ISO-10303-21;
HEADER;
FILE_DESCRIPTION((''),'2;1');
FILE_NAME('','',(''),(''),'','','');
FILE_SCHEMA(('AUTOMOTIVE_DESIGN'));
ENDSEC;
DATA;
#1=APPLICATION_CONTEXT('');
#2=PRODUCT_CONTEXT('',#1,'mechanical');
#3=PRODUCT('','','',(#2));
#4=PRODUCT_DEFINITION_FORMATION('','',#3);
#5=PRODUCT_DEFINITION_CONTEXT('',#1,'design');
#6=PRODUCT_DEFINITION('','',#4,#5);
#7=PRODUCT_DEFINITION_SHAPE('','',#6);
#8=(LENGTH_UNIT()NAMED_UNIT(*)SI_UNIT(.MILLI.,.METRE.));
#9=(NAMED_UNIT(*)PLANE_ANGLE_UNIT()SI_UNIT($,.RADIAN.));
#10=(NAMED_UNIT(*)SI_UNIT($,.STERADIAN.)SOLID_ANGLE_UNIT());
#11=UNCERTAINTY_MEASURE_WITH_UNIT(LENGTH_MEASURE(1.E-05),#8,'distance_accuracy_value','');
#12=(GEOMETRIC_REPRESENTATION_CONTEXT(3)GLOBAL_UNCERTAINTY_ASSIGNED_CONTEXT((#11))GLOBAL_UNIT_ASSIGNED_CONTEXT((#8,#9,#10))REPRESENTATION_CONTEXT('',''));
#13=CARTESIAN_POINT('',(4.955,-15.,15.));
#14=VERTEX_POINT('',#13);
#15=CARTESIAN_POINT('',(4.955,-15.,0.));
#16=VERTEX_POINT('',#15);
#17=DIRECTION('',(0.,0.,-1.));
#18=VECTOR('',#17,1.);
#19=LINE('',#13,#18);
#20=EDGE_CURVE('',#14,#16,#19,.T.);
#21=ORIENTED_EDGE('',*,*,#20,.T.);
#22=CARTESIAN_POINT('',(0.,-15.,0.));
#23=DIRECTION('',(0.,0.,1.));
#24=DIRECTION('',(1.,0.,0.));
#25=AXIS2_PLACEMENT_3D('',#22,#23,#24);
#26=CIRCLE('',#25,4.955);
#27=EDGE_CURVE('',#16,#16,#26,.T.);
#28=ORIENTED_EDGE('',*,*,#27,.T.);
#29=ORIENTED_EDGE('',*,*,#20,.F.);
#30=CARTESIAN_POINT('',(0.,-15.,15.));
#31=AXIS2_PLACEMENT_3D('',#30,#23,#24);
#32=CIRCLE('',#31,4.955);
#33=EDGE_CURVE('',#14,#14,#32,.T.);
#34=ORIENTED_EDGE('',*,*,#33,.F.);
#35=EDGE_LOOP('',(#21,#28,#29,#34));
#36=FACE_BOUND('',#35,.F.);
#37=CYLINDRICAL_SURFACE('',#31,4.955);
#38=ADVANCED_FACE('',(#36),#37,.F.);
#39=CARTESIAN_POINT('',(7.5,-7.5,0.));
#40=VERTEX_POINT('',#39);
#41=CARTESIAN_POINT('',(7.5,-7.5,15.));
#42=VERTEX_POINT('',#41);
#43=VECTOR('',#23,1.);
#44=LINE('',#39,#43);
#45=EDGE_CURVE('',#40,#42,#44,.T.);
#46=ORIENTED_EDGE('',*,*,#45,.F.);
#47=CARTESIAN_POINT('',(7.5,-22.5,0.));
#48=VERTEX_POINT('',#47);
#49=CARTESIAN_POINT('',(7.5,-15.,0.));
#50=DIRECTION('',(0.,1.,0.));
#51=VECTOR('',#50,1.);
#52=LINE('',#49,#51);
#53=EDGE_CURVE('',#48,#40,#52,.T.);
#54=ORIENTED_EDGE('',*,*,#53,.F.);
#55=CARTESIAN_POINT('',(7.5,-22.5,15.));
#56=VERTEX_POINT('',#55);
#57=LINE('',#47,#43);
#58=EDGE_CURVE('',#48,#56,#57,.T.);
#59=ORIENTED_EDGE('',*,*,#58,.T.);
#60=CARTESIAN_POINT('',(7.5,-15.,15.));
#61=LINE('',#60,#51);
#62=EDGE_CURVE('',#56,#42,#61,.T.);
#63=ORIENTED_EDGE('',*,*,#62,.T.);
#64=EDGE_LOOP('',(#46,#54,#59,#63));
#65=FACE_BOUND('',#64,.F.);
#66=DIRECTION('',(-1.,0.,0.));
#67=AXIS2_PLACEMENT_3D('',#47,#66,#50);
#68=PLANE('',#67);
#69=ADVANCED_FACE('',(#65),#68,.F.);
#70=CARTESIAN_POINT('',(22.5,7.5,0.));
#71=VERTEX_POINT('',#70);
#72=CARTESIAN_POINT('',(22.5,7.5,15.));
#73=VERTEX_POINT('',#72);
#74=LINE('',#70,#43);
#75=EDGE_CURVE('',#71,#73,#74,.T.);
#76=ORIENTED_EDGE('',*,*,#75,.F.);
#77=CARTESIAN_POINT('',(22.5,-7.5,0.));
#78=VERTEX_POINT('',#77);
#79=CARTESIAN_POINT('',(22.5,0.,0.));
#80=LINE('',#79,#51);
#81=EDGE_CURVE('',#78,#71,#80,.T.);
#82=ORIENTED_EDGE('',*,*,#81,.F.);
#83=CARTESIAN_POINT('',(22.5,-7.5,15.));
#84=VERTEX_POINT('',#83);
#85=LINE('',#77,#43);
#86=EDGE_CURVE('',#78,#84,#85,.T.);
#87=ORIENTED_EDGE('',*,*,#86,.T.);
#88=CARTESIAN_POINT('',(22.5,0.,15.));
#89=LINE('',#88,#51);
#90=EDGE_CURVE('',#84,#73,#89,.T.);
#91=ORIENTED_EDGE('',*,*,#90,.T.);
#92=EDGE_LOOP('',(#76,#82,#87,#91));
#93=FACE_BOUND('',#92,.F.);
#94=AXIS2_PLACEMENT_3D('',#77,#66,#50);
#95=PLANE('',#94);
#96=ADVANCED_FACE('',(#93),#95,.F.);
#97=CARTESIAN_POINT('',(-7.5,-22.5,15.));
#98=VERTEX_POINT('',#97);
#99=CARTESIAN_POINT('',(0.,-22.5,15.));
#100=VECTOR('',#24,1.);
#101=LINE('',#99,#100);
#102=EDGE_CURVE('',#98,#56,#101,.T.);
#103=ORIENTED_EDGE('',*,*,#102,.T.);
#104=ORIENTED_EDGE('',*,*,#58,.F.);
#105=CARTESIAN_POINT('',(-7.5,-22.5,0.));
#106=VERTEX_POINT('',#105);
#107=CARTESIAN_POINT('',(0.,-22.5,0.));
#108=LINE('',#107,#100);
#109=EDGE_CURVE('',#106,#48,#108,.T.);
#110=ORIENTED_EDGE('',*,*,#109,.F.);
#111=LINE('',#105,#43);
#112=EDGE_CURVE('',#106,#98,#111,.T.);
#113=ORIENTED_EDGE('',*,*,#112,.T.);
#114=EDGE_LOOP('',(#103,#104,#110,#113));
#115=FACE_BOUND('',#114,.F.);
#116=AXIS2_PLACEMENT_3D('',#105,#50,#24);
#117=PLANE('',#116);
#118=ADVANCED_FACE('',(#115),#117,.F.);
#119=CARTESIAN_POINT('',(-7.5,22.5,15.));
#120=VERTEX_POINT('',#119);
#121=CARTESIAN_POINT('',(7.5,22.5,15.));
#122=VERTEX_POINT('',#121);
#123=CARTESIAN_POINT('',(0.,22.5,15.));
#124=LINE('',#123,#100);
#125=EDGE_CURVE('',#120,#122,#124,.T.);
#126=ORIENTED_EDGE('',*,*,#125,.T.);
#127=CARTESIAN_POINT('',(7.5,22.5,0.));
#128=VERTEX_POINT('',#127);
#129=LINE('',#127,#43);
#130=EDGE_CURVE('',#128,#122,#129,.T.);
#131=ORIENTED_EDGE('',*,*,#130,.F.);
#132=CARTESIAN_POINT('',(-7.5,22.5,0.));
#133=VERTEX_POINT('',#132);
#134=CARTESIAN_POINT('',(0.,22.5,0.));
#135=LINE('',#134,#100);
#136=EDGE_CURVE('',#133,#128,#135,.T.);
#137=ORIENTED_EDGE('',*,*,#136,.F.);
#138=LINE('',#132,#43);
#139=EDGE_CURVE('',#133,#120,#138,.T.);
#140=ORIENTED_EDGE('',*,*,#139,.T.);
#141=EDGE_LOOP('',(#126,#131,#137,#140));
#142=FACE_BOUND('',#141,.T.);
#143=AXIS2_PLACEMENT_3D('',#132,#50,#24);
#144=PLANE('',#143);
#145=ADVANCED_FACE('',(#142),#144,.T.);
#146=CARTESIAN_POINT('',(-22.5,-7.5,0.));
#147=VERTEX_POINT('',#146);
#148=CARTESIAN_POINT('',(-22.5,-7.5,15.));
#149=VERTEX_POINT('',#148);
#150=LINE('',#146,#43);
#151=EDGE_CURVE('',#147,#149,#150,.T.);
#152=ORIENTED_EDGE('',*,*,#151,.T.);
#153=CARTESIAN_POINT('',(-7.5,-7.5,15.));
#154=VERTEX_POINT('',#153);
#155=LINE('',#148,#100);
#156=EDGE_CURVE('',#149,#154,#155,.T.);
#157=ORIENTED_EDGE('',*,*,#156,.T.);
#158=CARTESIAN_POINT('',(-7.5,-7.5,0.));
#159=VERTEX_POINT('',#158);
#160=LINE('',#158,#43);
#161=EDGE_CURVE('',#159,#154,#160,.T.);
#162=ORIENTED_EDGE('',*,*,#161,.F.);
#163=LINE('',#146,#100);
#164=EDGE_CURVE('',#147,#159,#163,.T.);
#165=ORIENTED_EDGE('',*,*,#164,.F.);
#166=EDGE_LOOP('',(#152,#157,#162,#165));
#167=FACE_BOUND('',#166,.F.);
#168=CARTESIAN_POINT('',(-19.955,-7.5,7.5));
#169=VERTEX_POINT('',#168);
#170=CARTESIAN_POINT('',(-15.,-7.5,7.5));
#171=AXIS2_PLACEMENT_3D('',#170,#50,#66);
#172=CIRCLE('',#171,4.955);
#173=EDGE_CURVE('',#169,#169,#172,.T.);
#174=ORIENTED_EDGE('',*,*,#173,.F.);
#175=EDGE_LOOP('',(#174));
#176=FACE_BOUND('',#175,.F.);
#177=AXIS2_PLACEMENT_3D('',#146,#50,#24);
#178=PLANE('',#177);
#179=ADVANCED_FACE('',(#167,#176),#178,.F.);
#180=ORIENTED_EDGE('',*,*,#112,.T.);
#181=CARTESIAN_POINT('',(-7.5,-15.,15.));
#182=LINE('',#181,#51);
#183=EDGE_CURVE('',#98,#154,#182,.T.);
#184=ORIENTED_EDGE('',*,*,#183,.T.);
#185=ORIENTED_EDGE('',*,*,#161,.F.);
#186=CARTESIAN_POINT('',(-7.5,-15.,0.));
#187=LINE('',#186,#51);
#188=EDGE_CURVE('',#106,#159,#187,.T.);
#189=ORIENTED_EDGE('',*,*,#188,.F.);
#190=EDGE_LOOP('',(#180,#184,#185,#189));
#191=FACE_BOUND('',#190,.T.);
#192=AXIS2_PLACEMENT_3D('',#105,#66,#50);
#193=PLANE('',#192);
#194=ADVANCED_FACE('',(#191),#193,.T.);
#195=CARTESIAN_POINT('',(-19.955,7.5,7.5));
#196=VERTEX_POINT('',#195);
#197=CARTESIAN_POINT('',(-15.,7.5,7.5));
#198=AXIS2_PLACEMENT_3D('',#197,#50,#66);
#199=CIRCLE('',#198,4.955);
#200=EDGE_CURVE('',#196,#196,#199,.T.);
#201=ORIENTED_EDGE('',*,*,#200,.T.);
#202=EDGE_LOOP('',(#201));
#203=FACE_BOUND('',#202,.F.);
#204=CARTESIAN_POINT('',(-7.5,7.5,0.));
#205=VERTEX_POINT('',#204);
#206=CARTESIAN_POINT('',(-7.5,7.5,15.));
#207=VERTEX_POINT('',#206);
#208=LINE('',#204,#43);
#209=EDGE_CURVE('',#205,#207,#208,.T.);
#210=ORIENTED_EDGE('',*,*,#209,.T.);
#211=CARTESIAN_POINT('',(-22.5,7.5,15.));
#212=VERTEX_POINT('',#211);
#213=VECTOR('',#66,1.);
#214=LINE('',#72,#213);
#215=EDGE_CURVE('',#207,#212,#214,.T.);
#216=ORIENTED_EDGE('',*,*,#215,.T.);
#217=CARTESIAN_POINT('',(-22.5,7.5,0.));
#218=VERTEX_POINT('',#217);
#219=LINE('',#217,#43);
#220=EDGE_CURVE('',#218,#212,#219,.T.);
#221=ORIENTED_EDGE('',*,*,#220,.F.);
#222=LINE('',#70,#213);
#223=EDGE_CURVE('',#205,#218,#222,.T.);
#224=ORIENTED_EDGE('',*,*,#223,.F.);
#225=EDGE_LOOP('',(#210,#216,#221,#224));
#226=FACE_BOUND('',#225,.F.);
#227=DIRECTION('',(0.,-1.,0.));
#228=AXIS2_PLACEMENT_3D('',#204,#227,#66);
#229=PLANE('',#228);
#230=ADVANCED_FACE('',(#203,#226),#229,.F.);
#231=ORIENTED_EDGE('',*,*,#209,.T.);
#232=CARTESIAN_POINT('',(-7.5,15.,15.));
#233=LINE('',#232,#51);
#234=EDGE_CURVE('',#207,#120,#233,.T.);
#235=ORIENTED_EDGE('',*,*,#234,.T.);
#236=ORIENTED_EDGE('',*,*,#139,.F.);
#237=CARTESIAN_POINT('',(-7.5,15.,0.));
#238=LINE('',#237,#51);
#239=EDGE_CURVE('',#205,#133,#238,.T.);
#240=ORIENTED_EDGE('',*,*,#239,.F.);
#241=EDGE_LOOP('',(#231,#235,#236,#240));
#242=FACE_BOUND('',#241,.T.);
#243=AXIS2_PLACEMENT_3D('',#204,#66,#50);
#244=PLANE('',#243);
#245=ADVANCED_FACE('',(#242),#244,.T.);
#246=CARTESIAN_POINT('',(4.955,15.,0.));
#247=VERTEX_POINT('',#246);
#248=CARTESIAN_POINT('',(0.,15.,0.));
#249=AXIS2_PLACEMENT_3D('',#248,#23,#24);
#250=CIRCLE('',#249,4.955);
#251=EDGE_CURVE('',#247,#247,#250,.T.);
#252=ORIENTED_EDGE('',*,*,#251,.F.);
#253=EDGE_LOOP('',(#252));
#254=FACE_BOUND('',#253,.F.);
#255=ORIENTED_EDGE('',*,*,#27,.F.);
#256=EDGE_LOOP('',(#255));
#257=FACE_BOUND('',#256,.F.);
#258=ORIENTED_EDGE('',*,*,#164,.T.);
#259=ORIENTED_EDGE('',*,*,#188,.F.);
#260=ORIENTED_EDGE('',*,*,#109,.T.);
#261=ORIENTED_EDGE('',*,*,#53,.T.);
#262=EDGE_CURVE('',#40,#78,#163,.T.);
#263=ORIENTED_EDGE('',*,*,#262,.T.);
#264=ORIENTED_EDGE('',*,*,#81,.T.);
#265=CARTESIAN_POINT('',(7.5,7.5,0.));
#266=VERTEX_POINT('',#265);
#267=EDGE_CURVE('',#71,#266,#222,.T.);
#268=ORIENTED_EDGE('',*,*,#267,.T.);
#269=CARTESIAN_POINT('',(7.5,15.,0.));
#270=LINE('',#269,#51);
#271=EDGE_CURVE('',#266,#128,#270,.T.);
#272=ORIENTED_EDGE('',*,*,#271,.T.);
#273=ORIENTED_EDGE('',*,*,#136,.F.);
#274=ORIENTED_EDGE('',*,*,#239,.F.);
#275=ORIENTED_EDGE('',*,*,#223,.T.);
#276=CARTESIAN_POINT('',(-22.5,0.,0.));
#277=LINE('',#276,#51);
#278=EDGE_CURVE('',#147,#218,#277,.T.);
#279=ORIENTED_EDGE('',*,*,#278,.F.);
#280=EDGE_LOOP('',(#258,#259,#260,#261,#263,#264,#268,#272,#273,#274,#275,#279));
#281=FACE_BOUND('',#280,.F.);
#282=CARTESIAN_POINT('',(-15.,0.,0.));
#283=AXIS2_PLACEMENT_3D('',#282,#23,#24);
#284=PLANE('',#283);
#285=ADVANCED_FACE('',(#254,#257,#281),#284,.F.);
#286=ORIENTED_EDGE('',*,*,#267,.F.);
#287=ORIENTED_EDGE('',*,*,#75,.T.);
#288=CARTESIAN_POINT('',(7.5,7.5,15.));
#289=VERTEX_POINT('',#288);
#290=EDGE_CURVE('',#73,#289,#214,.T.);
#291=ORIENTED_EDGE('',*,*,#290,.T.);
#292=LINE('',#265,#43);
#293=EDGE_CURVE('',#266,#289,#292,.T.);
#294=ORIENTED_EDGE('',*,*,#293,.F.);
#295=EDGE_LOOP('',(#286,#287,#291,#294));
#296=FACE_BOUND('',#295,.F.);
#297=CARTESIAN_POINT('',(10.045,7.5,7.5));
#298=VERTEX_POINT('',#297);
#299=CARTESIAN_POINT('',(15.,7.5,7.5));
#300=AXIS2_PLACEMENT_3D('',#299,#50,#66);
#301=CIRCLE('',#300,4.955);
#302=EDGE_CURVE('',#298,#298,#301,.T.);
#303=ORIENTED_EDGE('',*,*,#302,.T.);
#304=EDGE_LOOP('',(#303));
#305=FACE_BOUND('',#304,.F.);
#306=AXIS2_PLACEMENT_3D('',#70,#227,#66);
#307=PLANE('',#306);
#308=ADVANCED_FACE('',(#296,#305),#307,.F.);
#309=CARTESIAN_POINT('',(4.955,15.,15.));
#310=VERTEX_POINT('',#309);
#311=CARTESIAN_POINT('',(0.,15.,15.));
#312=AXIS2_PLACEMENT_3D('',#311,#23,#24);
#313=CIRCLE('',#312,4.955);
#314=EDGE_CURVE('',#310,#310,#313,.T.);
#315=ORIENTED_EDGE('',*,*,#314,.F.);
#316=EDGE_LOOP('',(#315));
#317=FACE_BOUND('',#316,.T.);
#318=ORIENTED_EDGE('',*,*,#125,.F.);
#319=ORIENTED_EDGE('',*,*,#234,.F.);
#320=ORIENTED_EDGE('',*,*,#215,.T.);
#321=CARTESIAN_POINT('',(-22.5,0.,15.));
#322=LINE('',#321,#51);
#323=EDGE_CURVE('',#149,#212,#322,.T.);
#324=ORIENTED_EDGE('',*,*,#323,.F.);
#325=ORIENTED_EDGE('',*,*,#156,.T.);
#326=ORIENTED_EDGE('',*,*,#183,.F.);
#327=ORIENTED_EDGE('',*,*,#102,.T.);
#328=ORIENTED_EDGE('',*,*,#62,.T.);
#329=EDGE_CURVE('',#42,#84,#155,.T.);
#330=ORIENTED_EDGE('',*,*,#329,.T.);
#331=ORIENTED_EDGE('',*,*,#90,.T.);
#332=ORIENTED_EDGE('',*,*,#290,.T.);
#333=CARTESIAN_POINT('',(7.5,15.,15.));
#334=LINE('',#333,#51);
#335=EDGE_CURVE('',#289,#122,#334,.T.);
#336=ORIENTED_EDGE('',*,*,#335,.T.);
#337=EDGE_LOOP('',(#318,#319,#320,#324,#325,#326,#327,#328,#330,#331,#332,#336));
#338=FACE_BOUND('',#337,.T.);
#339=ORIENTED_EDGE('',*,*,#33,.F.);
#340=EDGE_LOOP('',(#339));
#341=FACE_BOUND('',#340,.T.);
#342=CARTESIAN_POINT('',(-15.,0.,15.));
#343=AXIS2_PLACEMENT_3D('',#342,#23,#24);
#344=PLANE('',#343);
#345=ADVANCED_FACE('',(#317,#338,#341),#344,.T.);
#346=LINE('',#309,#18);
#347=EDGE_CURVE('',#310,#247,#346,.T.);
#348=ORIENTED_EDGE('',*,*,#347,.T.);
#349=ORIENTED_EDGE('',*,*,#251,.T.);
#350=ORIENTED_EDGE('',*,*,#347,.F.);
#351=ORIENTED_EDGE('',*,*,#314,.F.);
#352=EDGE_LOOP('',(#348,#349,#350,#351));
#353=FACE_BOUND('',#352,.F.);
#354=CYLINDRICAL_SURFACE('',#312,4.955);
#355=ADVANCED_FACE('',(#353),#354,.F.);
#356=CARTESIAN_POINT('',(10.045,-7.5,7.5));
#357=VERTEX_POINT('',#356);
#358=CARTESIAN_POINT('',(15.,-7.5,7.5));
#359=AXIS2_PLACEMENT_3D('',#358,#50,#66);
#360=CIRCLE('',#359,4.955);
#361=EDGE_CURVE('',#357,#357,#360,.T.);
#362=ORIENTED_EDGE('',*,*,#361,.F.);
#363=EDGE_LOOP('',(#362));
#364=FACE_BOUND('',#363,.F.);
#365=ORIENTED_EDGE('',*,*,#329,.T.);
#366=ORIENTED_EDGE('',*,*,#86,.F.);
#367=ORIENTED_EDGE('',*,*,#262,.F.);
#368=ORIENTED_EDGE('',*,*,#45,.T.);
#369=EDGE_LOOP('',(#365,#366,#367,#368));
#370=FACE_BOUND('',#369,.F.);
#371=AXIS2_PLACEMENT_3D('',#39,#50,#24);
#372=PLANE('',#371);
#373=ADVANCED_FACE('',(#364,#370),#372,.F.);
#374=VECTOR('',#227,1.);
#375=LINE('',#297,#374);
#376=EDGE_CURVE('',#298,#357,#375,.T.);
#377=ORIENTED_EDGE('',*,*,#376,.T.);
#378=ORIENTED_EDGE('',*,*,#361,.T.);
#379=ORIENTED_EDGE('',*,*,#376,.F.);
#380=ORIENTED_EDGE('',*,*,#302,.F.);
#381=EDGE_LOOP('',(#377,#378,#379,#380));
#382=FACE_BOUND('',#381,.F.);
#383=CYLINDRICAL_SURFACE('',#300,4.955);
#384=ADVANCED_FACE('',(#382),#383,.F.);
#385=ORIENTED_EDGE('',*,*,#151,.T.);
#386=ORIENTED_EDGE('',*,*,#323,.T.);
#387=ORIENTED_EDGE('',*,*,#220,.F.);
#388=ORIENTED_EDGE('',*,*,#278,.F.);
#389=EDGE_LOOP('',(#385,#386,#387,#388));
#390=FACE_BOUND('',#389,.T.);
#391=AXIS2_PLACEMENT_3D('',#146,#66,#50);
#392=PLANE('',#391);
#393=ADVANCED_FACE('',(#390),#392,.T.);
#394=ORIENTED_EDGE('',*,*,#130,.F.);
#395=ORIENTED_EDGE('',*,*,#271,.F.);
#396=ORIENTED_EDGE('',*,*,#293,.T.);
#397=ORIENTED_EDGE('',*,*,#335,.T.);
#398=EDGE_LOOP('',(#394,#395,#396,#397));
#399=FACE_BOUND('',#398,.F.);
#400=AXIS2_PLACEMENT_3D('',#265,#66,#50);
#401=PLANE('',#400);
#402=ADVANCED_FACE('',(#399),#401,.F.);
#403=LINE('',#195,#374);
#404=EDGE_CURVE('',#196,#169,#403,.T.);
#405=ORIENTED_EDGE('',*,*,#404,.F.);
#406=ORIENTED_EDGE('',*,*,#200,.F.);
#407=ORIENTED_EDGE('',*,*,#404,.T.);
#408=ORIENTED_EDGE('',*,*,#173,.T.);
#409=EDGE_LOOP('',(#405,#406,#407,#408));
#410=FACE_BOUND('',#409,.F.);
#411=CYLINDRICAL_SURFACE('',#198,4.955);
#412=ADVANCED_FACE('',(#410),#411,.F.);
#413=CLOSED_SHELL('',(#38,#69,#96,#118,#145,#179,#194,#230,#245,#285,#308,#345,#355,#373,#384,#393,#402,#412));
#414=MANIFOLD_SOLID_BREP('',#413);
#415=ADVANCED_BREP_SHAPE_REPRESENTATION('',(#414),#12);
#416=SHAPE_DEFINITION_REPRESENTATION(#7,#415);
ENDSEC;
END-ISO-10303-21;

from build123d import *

# Parameters (mm, degrees)
F0_W     = 15
F0_H     = 15
F1_DEPTH = 15
F2_R     = 4.955
F3_DEPTH = 15.001
F4_R     = 4.955
F5_DEPTH = 30.001


with BuildPart() as f1:
    # F0 (on Top) → F1 (new body)
    with BuildSketch(Plane.XY):
        with Locations((-15, 0)):
            Rectangle(F0_W, F0_H)
        Rectangle(F0_W, F0_H)
        with Locations((15, 0)):
            Rectangle(F0_W, F0_H)
        with Locations((0, 15)):
            Rectangle(F0_W, F0_H)
        with Locations((0, -15)):
            Rectangle(F0_W, F0_H)
    extrude(amount=F1_DEPTH)

    # F2 (on face) → F3 (cut, through all)
    with BuildSketch(Plane.XY.offset(15)):
        with Locations((0, -15)):
            Circle(F2_R)
        with Locations((0, 15)):
            Circle(F2_R)
    extrude(amount=-F3_DEPTH, mode=Mode.SUBTRACT)

    # F4 (on face) → F5 (cut, through all)
    with BuildSketch(Plane(origin=(0, 7.5, 0), x_dir=(-1, 0, 0), z_dir=(0, 1, 0))):
        with Locations((15, 7.5)):
            Circle(F4_R)
        with Locations((-15, 7.5)):
            Circle(F4_R)
    extrude(amount=-F5_DEPTH, mode=Mode.SUBTRACT)


solid = f1.part
